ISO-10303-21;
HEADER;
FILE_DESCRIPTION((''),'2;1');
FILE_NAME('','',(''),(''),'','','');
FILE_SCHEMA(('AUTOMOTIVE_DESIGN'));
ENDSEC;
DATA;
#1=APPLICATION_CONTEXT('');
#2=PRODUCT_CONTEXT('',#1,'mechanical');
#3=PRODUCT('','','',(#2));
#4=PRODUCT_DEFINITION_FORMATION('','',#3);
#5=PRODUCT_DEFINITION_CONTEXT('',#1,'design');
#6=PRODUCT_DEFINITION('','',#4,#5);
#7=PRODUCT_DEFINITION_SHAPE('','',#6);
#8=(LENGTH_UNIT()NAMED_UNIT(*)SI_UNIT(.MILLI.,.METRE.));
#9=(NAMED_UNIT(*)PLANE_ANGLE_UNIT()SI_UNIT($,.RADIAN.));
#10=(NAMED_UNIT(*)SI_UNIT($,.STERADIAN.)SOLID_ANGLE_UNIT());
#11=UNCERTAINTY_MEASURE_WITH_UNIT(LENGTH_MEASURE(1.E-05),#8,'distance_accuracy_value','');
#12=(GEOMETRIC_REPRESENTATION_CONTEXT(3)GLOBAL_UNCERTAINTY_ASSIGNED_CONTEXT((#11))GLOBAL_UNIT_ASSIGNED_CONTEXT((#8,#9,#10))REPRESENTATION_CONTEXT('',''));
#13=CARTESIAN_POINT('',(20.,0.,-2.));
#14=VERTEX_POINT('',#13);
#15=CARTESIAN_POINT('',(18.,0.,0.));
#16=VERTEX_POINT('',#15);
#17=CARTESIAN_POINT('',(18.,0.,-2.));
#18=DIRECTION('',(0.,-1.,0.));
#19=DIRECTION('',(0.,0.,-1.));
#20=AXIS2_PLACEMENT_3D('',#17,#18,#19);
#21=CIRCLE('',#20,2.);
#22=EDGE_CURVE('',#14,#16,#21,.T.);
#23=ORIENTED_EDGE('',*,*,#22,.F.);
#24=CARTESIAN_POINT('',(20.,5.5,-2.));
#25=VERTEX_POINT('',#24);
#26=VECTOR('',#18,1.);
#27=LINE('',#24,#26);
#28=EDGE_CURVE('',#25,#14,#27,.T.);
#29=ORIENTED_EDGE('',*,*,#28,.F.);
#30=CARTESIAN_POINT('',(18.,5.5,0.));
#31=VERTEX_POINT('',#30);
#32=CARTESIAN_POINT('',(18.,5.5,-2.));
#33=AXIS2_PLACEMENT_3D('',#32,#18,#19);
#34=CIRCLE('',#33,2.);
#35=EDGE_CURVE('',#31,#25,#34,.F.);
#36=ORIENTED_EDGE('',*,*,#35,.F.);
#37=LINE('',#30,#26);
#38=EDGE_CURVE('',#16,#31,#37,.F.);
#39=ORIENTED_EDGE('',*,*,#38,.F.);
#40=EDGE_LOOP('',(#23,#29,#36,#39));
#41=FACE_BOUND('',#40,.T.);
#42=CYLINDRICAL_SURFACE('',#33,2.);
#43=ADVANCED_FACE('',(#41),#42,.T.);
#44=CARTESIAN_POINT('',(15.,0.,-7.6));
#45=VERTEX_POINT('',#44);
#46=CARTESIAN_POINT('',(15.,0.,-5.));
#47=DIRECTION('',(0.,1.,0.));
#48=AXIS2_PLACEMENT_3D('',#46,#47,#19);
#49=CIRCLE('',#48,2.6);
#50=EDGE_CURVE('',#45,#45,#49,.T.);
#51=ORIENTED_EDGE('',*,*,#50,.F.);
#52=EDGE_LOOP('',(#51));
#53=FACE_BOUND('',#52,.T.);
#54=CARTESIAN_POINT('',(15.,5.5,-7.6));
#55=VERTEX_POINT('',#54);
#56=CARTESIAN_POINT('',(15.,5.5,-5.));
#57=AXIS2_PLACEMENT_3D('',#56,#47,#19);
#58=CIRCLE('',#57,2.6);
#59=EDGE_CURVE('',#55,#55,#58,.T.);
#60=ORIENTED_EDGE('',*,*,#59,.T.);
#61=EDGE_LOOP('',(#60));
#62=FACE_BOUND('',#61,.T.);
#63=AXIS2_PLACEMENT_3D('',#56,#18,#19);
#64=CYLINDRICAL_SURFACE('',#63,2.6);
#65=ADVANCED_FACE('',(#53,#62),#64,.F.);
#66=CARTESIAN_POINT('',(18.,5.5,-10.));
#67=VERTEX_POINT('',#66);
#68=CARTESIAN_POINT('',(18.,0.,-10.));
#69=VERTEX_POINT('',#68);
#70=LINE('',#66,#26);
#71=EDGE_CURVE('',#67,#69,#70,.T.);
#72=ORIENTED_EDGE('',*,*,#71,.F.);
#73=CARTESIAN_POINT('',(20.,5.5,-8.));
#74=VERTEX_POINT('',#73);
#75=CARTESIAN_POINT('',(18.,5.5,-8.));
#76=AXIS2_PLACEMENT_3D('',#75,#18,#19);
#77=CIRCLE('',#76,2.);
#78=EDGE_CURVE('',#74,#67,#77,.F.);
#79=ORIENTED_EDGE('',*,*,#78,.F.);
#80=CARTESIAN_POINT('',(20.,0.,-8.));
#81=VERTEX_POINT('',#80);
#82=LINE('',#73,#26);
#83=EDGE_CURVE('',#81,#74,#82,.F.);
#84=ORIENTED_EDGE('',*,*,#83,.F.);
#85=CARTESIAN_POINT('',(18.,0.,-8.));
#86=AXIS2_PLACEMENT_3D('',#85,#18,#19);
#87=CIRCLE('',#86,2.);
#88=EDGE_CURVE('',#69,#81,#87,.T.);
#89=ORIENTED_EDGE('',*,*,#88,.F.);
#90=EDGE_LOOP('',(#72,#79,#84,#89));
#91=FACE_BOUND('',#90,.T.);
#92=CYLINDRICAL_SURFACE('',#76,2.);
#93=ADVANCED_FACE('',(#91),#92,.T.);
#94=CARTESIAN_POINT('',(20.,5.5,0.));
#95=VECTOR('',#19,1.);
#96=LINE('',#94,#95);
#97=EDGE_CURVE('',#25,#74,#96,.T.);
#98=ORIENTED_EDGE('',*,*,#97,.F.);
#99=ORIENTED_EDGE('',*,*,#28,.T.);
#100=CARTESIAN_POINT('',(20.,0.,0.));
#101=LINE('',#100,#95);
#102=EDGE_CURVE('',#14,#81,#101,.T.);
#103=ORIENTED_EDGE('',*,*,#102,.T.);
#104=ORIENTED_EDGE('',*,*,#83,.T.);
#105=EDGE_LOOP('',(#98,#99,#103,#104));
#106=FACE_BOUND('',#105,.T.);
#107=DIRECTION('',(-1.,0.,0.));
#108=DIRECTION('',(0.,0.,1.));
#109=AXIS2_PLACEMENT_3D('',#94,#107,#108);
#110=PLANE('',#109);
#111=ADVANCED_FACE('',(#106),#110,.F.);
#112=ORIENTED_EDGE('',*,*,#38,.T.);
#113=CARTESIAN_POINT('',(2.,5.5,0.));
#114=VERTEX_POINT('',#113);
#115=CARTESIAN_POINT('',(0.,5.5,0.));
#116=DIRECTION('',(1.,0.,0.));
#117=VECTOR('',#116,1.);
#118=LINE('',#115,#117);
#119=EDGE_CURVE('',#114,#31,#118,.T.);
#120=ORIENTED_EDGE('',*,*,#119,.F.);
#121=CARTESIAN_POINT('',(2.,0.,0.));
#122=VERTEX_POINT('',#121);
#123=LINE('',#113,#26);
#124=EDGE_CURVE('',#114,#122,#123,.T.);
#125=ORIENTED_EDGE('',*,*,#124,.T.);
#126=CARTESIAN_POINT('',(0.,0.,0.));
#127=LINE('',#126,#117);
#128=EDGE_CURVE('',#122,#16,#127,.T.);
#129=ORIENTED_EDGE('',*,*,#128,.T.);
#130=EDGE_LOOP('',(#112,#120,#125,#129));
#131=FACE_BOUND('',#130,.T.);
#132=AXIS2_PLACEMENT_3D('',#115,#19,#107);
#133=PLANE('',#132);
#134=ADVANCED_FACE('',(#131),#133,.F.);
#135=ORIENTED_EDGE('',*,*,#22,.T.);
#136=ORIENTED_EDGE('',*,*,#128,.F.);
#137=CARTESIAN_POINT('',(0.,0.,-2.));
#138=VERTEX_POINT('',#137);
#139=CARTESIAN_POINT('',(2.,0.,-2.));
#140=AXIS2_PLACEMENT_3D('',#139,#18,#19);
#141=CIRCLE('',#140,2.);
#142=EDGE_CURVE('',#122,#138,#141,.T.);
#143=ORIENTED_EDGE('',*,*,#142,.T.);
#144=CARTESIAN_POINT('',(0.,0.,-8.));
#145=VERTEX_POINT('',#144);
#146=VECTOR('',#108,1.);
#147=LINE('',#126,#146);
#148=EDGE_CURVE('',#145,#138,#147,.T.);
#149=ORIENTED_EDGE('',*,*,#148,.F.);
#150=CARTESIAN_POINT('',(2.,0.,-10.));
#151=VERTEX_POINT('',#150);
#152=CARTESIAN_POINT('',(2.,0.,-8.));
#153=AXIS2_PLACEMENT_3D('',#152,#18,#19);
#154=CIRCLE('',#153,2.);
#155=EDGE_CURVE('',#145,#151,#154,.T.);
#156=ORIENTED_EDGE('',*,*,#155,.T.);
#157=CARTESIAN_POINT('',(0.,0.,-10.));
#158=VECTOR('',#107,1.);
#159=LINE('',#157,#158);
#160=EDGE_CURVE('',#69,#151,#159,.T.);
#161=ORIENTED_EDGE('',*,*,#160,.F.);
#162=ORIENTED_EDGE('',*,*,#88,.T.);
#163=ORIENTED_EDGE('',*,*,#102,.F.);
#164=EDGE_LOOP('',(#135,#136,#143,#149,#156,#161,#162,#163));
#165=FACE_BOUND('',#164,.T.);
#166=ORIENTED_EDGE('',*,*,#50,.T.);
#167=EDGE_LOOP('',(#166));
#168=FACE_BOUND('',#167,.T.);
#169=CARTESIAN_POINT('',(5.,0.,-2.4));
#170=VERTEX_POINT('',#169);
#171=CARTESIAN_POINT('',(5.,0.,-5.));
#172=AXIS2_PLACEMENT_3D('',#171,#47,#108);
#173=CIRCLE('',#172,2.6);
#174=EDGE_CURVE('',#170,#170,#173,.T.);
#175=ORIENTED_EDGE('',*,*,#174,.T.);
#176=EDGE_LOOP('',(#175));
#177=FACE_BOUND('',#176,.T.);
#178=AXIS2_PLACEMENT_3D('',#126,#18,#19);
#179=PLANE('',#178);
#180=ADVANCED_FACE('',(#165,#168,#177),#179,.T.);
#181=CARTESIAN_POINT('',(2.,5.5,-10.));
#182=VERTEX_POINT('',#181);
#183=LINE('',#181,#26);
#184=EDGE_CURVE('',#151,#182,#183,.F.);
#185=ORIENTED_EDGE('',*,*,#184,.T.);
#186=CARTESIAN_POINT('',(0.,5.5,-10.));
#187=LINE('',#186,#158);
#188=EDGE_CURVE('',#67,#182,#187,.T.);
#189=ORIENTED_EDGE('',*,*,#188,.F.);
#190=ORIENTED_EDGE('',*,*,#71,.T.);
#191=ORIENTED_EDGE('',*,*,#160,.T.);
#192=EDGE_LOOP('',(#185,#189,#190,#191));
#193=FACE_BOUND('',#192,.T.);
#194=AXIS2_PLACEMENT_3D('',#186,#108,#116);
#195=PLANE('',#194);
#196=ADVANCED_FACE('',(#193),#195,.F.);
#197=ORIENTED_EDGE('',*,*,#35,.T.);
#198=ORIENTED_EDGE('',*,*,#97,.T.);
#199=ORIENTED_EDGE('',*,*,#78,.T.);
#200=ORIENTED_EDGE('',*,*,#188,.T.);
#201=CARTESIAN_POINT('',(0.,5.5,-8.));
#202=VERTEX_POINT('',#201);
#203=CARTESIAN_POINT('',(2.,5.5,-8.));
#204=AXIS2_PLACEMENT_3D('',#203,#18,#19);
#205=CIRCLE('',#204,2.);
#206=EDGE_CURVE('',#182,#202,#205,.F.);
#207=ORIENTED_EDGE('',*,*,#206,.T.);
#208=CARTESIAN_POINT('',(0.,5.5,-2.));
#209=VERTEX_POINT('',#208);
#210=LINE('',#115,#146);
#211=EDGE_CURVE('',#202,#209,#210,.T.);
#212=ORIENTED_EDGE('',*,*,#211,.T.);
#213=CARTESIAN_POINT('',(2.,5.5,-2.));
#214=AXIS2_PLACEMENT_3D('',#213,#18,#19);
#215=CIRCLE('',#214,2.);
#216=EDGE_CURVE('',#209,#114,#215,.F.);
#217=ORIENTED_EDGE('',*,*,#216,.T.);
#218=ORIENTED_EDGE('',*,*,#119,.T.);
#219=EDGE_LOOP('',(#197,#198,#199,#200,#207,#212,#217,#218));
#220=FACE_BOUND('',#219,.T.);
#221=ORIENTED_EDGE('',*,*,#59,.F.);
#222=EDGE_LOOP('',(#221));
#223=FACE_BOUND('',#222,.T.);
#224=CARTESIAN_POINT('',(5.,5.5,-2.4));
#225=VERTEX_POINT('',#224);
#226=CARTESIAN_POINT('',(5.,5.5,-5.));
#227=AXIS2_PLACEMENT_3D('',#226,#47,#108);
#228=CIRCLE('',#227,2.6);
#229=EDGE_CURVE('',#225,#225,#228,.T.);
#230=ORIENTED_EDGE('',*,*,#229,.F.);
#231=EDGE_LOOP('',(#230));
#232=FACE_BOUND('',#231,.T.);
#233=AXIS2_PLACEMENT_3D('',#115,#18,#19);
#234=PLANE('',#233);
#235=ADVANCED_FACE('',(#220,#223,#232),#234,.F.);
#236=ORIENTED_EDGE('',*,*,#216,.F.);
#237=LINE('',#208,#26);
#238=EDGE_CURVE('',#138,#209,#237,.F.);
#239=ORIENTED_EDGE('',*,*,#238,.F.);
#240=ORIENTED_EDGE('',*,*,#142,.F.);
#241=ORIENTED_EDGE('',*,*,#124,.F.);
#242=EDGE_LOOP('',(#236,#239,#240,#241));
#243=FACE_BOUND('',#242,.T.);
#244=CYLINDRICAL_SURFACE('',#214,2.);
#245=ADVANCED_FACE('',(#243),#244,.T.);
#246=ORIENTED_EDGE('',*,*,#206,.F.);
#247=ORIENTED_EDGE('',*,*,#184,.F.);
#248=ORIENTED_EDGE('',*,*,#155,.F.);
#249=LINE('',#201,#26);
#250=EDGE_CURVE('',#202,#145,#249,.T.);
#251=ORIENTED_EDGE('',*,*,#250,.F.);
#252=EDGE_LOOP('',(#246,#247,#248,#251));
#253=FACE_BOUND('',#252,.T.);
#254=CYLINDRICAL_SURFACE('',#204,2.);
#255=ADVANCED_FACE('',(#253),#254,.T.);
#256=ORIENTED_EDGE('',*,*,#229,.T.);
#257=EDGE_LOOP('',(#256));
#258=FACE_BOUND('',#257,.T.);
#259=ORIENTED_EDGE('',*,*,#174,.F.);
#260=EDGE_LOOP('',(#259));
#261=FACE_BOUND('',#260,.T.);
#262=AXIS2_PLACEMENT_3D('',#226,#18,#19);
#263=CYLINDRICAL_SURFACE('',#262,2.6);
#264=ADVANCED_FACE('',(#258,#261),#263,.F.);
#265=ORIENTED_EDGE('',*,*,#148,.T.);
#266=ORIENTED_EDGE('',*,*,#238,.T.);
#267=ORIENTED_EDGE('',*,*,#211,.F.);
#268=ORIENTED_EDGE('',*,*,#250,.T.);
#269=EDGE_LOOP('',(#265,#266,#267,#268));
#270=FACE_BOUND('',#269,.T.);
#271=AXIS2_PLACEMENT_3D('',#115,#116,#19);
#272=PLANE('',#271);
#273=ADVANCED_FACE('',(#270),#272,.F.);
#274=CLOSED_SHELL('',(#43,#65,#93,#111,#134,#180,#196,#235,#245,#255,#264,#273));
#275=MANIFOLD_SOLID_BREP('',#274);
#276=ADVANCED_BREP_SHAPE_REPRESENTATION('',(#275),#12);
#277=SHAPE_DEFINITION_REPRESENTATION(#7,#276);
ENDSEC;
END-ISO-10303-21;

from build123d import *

# Parameters (mm, degrees)
SKETCH1_W           = 20
SKETCH1_H           = 10
SKETCH1_R           = 2.6
BOSS_EXTRUDE1_DEPTH = 5.5
FILLET1_R           = 2


with BuildPart() as part:
    # Sketch1 → Boss-Extrude1 (new body)
    with BuildSketch(Plane(origin=(0, 0, 0), x_dir=(1, 0, 0), z_dir=(0, 1, 0))):
        with Locations((10, 5)):
            Rectangle(SKETCH1_W, SKETCH1_H)
        with Locations(Location((5, 5, 0), (0, 0, 270))):
            Circle(SKETCH1_R, mode=Mode.SUBTRACT)
        with Locations(Location((15, 5, 0), (0, 0, 90))):
            Circle(SKETCH1_R, mode=Mode.SUBTRACT)
    extrude(amount=BOSS_EXTRUDE1_DEPTH)

    # Fillet1
    fillet1_edges = [part.edges().sort_by_distance(p)[0] for p in [
        (0, 2.75, -10),
        (20, 2.75, -10),
        (20, 2.75, 0),
        (0, 2.75, 0),
    ]]
    fillet(fillet1_edges, radius=FILLET1_R)


solid = part.part
